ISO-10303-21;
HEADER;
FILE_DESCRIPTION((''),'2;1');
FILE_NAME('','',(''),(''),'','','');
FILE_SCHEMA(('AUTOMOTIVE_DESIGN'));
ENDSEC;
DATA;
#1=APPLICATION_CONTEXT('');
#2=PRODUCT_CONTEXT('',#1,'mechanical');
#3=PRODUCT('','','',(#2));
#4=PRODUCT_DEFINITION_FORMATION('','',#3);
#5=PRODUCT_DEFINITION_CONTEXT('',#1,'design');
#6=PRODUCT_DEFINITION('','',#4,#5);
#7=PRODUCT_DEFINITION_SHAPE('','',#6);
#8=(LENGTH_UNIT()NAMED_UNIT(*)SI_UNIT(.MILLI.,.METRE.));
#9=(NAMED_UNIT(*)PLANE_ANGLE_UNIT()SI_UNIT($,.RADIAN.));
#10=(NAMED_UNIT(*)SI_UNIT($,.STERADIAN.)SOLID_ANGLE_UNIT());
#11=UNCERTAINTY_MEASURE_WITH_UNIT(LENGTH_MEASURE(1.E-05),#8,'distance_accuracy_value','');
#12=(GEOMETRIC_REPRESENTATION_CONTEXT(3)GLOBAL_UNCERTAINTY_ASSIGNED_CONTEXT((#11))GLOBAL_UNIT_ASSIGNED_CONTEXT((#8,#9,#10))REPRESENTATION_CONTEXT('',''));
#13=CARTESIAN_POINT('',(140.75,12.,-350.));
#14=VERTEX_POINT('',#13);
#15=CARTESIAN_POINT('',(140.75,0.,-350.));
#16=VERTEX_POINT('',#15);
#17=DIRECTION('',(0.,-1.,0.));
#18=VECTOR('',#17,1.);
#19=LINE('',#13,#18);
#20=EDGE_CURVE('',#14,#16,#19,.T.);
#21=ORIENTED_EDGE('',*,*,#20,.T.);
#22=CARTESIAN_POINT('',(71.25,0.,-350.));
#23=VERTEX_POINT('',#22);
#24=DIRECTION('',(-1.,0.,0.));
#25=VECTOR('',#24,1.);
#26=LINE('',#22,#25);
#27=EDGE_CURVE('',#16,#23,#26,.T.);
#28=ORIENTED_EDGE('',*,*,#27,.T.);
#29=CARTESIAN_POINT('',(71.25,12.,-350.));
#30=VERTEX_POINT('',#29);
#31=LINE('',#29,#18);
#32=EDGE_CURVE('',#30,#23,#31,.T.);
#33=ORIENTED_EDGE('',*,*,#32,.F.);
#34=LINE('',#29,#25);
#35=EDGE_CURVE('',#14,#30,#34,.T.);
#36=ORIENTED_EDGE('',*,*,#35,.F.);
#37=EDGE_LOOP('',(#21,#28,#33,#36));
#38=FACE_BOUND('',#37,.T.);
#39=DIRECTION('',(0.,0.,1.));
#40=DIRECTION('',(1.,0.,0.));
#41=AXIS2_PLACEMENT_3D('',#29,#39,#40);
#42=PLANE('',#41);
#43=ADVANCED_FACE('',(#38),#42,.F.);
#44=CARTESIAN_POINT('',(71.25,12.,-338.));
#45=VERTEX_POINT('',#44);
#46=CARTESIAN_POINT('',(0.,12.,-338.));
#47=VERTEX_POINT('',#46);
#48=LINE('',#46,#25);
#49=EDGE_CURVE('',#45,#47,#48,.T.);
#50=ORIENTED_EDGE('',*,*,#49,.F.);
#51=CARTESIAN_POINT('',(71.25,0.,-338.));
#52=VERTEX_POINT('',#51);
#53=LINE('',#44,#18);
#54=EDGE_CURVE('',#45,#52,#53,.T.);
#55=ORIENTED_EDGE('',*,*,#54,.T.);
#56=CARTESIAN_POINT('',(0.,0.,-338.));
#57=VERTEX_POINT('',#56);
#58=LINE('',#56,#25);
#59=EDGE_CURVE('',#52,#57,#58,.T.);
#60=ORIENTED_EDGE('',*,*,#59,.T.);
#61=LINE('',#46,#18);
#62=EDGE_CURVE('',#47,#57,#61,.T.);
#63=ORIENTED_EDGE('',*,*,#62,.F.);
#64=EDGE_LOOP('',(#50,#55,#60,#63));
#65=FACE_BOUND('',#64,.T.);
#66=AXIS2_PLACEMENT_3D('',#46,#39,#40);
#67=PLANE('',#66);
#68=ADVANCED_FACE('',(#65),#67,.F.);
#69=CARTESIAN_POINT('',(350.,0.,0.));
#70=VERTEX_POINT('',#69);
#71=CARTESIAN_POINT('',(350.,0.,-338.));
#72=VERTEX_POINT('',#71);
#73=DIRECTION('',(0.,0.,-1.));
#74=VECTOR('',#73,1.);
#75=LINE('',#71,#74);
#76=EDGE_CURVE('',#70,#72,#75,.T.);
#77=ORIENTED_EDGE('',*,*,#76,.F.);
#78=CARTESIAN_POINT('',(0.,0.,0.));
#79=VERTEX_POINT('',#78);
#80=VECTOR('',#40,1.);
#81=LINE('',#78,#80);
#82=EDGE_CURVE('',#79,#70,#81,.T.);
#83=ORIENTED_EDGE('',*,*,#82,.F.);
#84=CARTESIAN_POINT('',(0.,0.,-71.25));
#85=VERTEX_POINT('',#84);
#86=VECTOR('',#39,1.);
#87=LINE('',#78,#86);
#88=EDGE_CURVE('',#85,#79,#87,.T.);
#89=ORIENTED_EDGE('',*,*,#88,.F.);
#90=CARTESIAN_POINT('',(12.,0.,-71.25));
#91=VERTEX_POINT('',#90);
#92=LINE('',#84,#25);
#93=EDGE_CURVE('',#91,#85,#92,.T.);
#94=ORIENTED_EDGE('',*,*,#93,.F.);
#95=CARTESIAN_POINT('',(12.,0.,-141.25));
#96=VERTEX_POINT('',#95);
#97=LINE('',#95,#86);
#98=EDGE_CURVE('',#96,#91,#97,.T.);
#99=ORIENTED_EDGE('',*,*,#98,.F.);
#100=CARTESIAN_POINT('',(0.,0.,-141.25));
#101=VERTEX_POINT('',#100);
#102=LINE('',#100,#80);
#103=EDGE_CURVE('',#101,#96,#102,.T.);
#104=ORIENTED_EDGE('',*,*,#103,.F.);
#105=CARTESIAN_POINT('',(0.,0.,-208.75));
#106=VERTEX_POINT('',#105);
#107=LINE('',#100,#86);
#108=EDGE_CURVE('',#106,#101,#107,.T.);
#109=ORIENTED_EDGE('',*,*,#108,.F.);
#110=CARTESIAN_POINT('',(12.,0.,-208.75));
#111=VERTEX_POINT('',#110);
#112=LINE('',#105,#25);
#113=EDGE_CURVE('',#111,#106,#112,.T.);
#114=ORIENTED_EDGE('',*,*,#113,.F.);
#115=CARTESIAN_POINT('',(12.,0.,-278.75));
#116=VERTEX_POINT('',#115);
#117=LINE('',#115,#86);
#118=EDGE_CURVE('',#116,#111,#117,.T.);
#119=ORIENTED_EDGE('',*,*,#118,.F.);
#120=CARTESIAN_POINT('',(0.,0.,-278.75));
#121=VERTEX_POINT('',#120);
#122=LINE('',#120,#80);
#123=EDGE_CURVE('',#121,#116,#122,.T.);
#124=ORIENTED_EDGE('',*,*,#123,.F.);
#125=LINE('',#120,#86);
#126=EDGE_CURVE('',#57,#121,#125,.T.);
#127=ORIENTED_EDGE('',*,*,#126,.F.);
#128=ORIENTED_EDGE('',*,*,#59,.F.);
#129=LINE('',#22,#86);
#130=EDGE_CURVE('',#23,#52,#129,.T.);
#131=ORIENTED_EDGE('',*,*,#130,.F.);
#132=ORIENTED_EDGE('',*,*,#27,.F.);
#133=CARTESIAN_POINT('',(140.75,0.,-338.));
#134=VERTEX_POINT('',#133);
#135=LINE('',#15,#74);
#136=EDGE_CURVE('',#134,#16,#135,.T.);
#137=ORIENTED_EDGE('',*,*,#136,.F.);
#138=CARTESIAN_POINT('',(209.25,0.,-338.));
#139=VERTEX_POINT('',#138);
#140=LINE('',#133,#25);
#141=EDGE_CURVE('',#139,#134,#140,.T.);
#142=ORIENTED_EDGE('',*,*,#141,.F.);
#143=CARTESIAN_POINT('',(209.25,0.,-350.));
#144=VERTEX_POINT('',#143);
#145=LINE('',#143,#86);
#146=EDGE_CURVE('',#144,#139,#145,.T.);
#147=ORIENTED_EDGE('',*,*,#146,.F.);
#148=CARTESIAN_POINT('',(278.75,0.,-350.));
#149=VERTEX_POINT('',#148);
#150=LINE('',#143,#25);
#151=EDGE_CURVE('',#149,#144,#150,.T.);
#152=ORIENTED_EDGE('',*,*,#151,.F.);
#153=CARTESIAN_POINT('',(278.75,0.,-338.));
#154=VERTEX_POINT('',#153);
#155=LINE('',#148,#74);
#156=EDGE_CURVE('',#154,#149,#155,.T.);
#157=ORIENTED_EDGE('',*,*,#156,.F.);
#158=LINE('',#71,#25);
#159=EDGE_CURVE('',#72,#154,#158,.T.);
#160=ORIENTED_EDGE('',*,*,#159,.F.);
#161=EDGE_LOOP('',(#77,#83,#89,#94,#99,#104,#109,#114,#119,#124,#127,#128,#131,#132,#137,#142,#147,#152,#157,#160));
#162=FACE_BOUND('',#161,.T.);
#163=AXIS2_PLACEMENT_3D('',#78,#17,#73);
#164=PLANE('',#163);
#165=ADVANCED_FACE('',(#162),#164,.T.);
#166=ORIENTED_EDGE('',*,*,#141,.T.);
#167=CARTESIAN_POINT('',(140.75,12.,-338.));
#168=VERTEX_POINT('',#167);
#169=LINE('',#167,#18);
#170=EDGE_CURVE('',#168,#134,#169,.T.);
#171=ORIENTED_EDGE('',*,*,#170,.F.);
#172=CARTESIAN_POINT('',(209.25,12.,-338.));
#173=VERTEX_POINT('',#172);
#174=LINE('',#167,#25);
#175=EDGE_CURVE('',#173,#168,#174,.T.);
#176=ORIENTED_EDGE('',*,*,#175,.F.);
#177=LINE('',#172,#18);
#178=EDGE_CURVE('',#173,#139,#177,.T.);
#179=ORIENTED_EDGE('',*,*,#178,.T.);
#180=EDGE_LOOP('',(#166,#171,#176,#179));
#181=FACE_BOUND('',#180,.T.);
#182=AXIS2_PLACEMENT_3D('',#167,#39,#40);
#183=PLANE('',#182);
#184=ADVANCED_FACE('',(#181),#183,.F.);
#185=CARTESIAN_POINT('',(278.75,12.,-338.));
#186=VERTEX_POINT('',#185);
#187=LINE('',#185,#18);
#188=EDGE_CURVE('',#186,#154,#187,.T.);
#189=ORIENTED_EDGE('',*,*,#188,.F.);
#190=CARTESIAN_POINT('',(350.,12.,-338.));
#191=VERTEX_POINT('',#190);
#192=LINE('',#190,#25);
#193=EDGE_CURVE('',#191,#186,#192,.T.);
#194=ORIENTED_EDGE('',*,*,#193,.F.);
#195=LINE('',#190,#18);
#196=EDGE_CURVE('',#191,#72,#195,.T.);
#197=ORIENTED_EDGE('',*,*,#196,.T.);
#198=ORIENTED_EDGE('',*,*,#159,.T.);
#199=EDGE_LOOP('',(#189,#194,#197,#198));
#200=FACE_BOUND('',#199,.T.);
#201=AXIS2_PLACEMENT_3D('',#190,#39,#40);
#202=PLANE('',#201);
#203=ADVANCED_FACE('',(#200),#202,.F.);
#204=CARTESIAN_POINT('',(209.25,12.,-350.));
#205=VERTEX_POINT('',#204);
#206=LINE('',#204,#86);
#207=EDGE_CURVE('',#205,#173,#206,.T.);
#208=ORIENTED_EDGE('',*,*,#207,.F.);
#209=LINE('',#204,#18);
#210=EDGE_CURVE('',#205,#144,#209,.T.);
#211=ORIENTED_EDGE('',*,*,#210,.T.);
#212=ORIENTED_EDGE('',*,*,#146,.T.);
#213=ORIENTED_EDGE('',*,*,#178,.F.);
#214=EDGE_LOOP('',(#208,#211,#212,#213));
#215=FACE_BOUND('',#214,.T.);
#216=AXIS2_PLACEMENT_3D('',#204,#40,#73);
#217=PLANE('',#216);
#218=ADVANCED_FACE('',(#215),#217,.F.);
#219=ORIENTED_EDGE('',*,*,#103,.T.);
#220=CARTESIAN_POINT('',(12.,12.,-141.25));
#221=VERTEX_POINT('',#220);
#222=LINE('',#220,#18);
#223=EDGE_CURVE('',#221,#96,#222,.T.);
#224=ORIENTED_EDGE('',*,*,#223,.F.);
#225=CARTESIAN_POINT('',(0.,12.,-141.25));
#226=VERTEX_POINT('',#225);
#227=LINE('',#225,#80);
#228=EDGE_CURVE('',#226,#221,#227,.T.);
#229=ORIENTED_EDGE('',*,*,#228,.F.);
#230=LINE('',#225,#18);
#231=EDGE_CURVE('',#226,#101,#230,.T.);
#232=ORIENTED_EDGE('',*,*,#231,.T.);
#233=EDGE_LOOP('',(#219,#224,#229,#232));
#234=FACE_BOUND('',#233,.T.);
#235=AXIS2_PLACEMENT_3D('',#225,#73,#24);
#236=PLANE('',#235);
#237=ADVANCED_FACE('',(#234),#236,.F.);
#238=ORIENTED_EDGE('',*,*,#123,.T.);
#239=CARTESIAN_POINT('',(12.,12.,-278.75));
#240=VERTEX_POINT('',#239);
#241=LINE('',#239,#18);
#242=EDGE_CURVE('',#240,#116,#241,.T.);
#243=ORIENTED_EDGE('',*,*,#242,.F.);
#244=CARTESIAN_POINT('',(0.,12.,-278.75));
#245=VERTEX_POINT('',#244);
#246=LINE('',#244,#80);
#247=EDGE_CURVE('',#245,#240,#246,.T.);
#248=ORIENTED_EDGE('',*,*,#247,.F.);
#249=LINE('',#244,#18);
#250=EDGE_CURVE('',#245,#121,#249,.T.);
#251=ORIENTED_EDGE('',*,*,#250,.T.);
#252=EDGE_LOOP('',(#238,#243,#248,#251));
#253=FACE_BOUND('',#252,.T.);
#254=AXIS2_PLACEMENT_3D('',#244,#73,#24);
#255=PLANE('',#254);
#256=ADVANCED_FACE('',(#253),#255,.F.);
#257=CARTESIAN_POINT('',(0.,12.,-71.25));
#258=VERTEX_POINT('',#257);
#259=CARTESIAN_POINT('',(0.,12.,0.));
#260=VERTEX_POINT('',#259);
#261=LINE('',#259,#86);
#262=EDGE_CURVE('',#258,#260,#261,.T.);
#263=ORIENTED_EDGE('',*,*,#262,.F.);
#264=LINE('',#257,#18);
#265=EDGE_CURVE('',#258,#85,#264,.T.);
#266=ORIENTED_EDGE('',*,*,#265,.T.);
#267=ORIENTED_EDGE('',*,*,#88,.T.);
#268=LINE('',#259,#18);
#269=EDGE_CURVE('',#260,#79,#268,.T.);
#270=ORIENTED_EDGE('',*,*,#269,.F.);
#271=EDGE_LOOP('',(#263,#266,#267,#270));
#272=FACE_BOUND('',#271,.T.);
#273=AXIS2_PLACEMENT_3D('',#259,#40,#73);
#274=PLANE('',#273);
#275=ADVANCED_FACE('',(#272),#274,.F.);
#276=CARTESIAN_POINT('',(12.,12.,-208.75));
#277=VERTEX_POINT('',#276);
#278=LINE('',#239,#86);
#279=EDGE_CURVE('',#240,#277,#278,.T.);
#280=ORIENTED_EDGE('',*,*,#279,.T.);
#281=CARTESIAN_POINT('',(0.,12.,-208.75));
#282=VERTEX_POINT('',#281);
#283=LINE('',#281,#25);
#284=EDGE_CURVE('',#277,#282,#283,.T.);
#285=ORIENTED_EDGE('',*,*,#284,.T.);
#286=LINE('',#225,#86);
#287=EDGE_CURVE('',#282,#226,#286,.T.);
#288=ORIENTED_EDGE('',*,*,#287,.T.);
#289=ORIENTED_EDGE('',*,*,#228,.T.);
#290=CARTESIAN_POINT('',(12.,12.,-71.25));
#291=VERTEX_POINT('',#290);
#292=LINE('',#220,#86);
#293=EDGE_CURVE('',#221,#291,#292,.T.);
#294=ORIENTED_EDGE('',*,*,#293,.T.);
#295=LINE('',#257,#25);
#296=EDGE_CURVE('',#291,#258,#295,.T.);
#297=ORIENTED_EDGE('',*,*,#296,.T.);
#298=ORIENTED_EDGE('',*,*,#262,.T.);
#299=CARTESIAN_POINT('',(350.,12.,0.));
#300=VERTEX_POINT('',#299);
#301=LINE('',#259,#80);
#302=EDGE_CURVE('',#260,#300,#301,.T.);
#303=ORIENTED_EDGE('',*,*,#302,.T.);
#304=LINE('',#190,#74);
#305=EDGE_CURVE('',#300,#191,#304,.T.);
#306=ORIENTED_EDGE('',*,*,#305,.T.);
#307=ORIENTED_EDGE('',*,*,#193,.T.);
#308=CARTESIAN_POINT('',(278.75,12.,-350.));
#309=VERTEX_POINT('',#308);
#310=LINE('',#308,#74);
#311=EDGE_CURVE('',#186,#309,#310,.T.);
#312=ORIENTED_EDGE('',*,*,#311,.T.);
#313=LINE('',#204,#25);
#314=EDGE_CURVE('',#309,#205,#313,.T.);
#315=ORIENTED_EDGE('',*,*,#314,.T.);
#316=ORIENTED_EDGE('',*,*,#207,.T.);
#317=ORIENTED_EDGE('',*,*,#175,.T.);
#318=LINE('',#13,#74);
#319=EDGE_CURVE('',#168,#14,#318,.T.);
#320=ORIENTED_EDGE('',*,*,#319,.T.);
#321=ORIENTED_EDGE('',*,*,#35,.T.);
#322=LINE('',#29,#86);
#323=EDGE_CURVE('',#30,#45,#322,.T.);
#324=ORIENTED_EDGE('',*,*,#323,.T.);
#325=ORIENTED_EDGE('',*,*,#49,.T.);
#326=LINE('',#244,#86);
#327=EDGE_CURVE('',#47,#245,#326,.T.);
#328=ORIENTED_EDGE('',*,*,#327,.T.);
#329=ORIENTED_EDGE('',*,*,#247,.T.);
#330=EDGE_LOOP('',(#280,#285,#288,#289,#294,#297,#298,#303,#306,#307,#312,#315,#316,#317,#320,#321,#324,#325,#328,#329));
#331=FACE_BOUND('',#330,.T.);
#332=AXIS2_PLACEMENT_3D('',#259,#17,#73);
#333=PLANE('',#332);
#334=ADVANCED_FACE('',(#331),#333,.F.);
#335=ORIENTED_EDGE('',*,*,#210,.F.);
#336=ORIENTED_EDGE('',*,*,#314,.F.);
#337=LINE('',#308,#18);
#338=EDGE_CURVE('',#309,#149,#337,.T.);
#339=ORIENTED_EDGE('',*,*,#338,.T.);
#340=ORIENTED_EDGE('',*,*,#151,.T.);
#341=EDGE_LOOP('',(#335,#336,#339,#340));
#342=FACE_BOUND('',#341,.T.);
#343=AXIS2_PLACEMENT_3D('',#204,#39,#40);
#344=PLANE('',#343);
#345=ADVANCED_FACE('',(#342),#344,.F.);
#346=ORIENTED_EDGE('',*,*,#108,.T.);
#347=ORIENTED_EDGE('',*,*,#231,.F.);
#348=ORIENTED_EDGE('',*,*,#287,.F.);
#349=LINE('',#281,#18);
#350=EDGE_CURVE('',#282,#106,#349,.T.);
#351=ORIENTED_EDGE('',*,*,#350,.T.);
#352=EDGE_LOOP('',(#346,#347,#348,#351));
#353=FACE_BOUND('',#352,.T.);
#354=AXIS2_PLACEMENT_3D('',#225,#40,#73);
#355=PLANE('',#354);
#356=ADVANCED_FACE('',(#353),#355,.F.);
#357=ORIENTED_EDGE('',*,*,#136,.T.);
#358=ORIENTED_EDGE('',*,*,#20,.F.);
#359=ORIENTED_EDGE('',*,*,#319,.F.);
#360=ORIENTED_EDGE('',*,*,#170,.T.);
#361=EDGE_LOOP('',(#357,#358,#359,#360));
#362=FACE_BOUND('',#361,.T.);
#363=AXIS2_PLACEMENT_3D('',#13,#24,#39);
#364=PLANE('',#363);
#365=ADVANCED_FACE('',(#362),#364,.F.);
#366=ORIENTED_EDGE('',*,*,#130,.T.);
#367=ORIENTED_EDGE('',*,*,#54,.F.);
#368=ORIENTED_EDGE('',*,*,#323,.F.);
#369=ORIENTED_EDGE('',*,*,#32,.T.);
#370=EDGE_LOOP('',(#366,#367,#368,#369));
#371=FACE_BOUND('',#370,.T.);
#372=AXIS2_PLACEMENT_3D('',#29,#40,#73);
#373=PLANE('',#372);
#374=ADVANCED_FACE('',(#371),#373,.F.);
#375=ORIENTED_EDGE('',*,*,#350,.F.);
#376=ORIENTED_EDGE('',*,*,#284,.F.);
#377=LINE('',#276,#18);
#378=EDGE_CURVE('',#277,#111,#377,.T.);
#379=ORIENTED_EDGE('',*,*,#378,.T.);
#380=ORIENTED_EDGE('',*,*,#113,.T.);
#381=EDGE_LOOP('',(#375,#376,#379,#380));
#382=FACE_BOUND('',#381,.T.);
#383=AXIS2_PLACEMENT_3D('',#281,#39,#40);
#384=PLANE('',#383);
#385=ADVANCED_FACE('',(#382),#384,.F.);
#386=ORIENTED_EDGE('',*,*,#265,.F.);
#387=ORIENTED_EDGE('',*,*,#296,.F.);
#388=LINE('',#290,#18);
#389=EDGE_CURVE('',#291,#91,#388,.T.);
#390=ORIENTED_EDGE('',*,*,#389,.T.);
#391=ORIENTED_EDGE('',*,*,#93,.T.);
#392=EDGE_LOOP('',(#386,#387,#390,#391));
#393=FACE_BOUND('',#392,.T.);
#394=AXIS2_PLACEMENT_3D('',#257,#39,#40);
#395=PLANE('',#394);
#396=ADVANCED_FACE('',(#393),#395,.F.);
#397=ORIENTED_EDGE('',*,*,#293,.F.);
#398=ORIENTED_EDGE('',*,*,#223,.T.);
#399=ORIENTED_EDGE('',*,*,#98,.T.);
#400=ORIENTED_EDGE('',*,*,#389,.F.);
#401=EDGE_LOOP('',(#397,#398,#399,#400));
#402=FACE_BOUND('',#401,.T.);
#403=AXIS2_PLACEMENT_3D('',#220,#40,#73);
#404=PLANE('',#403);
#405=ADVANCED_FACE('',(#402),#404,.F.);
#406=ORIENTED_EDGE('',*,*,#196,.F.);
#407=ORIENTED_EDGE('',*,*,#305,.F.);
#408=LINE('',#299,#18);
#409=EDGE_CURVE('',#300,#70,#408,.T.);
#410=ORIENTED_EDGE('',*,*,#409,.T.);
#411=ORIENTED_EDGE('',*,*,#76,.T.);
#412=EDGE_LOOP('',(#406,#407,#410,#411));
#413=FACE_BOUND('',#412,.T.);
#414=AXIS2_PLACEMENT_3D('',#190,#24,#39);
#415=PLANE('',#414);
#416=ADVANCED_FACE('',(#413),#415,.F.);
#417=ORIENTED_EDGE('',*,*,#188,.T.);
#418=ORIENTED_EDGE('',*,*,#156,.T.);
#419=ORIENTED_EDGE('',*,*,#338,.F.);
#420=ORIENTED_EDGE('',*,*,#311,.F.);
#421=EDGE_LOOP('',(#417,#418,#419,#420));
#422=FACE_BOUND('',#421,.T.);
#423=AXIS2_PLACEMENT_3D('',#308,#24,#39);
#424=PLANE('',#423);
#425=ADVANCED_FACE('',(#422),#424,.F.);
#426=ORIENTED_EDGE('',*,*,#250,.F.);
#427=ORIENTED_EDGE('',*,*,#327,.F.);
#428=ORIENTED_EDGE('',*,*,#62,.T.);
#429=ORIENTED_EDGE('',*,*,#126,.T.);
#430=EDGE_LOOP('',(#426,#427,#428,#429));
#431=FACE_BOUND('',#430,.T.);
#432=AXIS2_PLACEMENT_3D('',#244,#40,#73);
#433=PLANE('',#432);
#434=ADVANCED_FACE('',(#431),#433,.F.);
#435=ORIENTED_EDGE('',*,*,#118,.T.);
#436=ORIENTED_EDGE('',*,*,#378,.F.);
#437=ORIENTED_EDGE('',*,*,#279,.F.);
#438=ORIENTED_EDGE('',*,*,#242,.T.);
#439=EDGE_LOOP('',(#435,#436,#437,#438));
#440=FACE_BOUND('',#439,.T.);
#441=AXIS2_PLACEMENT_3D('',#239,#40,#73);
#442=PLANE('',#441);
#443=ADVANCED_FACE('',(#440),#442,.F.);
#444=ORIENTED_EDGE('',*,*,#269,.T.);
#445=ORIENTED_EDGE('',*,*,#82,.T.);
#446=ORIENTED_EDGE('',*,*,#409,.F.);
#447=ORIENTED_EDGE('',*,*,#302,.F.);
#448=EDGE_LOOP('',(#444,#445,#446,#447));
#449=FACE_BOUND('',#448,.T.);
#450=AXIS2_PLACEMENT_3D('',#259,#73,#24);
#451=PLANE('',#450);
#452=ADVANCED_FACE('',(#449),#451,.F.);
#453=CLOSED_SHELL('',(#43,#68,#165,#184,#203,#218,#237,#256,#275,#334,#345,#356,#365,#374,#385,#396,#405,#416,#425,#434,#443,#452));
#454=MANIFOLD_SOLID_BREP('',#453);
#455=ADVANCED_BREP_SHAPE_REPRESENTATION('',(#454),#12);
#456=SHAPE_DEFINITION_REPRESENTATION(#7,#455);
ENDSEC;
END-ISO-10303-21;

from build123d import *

# Parameters (mm, degrees)
BOSS_EXTRUDE1_DEPTH = 12


with BuildPart() as part:
    # Sketch1 → Boss-Extrude1 (new body)
    with BuildSketch(Plane(origin=(0, 0, 0), x_dir=(1, 0, 0), z_dir=(0, 1, 0))):
        Polygon((209.25, 350), (278.75, 350), (278.75, 338), (350, 338), (350, 0), (0, 0), (0, 71.25), (12, 71.25), (12, 141.25), (0, 141.25), (0, 208.75), (12, 208.75), (12, 278.75), (0, 278.75), (0, 338), (71.25, 338), (71.25, 350), (140.75, 350), (140.75, 338), (209.25, 338), align=None)
    extrude(amount=BOSS_EXTRUDE1_DEPTH)


solid = part.part
